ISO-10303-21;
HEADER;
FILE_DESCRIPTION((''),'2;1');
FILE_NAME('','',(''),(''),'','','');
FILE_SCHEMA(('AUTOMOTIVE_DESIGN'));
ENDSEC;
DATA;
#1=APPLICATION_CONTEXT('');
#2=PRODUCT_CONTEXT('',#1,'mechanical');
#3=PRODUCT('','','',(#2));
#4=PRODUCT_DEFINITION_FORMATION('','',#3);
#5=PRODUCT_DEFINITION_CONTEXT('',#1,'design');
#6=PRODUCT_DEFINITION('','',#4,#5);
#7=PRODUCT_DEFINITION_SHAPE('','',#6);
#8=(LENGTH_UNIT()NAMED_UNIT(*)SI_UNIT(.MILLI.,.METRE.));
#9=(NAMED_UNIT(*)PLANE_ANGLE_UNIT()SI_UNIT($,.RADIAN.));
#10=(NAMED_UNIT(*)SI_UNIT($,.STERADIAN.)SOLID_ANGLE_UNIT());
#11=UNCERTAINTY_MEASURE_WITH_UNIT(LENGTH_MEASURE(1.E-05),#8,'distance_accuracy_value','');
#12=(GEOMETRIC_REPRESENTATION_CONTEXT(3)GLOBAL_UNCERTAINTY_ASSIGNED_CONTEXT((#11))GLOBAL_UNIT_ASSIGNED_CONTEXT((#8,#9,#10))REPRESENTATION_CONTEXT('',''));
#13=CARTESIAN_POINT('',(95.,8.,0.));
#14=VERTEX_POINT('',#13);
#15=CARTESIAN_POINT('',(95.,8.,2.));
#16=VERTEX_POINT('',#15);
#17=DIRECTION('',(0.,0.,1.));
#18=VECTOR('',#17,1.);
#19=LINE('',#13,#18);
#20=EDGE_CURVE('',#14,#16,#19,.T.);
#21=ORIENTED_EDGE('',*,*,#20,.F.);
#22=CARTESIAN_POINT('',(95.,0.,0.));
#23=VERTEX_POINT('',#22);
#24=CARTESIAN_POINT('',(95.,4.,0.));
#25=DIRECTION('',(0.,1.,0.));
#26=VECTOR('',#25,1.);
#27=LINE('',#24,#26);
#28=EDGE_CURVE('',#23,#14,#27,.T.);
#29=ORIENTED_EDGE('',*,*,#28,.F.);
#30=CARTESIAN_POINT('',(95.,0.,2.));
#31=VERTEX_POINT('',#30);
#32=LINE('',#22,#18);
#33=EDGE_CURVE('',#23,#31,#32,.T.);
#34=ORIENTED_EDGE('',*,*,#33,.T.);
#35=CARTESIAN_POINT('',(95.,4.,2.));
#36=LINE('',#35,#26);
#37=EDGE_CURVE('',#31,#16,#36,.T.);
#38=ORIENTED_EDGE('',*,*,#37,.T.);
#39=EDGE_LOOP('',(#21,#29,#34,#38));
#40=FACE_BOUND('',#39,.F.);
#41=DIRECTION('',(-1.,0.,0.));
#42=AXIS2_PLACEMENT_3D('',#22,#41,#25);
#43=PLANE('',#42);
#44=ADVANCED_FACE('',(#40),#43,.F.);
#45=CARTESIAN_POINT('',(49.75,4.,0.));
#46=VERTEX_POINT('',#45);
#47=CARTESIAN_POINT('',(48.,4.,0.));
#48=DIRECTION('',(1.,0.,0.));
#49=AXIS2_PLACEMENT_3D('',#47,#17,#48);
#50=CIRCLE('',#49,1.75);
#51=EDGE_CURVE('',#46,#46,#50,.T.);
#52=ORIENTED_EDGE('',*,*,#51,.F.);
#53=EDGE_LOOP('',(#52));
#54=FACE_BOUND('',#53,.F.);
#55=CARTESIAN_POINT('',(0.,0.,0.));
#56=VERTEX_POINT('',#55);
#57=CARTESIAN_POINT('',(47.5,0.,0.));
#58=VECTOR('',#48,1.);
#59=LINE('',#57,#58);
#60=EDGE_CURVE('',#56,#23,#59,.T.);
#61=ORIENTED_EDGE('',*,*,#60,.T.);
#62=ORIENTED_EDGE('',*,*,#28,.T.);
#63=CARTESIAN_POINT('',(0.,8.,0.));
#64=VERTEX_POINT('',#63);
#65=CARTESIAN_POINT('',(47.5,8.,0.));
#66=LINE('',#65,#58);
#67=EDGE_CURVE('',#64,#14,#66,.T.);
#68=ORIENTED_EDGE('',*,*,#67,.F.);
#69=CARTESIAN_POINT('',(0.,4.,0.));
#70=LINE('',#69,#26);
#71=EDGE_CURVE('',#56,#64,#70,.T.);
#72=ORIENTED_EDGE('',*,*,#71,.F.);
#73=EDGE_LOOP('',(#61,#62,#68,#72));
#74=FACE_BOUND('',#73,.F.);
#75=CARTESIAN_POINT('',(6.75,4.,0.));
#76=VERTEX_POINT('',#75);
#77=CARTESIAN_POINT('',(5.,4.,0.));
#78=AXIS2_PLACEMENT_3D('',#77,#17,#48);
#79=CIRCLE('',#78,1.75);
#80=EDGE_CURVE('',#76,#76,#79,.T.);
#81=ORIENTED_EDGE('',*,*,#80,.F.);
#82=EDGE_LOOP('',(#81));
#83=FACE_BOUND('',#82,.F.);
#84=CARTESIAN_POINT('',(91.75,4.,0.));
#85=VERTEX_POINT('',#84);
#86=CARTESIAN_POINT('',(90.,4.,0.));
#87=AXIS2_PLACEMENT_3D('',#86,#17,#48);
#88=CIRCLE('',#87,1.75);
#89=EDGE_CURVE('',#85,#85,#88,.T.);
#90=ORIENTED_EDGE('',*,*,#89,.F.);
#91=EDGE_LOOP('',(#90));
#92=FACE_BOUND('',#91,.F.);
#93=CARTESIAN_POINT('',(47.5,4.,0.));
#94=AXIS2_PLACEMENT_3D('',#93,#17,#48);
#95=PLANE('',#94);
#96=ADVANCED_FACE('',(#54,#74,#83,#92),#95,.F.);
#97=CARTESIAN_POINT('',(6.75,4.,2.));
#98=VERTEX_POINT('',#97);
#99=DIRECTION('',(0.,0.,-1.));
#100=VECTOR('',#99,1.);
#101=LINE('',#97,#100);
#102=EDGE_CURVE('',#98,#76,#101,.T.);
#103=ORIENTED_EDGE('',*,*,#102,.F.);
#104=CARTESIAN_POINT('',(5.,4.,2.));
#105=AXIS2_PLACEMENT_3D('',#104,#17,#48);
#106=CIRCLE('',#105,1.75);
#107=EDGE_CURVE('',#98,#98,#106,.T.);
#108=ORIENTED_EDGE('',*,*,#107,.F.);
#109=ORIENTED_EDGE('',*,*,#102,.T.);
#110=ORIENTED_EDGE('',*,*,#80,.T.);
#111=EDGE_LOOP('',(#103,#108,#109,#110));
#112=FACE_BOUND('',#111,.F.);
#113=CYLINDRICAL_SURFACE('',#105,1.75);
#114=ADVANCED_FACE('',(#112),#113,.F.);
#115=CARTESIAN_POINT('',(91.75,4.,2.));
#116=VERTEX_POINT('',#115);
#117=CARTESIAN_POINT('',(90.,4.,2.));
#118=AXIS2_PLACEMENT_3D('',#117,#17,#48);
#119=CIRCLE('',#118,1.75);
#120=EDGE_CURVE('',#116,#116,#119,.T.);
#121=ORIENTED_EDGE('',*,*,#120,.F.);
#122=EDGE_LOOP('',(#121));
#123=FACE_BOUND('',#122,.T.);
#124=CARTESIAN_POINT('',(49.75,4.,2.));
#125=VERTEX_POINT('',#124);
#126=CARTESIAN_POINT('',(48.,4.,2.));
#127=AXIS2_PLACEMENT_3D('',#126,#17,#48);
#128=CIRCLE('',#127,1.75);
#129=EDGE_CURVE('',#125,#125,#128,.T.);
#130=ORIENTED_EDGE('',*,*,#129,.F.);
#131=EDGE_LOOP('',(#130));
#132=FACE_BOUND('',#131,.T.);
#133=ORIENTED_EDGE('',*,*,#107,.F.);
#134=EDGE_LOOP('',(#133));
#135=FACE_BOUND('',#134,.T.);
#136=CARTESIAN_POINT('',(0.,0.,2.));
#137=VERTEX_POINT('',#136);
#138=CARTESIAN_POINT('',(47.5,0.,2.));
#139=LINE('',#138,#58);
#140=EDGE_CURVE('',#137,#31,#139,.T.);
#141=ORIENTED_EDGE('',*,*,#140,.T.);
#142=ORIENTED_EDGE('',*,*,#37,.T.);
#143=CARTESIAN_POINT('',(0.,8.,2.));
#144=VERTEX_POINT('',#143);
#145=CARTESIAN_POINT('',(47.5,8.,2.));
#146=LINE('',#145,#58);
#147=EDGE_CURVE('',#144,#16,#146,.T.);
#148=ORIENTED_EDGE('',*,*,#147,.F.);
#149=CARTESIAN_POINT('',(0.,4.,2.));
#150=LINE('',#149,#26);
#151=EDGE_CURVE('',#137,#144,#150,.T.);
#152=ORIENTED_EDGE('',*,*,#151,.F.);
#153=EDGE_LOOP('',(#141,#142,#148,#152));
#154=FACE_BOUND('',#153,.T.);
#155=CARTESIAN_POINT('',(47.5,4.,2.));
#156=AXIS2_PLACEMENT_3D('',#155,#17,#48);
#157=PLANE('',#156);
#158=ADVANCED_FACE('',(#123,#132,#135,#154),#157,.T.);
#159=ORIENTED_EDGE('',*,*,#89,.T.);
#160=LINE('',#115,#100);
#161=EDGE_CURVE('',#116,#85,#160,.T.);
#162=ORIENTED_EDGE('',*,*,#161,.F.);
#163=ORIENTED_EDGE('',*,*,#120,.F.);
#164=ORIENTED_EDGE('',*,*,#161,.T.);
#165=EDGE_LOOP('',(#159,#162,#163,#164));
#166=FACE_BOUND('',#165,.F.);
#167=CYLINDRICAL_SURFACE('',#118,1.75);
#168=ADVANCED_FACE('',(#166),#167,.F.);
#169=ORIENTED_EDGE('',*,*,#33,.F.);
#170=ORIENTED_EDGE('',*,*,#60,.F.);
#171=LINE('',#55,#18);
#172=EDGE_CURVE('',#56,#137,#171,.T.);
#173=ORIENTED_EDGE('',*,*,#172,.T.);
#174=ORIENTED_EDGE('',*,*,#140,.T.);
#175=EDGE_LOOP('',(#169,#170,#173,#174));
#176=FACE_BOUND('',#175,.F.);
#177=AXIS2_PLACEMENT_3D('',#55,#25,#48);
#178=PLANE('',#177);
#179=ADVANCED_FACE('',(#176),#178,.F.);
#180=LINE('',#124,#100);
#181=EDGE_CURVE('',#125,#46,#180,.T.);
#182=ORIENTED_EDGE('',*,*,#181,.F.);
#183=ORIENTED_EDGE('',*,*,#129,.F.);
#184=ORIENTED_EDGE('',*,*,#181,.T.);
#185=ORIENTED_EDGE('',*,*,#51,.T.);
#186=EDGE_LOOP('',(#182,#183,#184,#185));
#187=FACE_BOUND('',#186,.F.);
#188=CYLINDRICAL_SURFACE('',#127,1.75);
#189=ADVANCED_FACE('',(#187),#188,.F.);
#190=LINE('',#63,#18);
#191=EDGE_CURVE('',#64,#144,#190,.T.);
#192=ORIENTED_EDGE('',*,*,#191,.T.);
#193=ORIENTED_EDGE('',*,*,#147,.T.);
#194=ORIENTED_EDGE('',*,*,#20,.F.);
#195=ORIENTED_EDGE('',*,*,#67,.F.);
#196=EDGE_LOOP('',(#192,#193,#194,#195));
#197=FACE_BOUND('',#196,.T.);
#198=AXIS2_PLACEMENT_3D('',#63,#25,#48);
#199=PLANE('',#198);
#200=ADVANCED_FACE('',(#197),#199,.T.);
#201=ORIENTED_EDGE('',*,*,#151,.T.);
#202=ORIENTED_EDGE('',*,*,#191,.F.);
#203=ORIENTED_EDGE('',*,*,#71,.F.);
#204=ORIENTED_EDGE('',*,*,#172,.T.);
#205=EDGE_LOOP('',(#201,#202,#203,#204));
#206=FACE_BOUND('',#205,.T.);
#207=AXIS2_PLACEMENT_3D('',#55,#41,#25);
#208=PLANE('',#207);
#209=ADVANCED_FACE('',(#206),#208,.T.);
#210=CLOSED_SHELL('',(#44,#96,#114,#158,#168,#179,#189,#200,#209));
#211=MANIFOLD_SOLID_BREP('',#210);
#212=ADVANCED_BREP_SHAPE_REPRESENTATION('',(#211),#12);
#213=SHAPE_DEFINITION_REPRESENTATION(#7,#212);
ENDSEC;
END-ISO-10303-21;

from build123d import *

# Parameters (mm, degrees)
SKETCH001_W  = 95
SKETCH001_H  = 8
PAD_DEPTH    = 2
SKETCH_R     = 1.75
POCKET_DEPTH = 8


with BuildPart() as part:
    # Sketch001 → Pad (new body)
    with BuildSketch(Plane.XY):
        with Locations((47.5, 4)):
            Rectangle(SKETCH001_W, SKETCH001_H)
    extrude(amount=PAD_DEPTH)

    # Sketch (on Face6 of Pad) → Pocket (cut)
    with BuildSketch(Plane.XY.offset(2)):
        with Locations((5, 4)):
            Circle(SKETCH_R)
        with Locations((48, 4)):
            Circle(SKETCH_R)
        with Locations((90, 4)):
            Circle(SKETCH_R)
    extrude(amount=-POCKET_DEPTH, mode=Mode.SUBTRACT)


solid = part.part
